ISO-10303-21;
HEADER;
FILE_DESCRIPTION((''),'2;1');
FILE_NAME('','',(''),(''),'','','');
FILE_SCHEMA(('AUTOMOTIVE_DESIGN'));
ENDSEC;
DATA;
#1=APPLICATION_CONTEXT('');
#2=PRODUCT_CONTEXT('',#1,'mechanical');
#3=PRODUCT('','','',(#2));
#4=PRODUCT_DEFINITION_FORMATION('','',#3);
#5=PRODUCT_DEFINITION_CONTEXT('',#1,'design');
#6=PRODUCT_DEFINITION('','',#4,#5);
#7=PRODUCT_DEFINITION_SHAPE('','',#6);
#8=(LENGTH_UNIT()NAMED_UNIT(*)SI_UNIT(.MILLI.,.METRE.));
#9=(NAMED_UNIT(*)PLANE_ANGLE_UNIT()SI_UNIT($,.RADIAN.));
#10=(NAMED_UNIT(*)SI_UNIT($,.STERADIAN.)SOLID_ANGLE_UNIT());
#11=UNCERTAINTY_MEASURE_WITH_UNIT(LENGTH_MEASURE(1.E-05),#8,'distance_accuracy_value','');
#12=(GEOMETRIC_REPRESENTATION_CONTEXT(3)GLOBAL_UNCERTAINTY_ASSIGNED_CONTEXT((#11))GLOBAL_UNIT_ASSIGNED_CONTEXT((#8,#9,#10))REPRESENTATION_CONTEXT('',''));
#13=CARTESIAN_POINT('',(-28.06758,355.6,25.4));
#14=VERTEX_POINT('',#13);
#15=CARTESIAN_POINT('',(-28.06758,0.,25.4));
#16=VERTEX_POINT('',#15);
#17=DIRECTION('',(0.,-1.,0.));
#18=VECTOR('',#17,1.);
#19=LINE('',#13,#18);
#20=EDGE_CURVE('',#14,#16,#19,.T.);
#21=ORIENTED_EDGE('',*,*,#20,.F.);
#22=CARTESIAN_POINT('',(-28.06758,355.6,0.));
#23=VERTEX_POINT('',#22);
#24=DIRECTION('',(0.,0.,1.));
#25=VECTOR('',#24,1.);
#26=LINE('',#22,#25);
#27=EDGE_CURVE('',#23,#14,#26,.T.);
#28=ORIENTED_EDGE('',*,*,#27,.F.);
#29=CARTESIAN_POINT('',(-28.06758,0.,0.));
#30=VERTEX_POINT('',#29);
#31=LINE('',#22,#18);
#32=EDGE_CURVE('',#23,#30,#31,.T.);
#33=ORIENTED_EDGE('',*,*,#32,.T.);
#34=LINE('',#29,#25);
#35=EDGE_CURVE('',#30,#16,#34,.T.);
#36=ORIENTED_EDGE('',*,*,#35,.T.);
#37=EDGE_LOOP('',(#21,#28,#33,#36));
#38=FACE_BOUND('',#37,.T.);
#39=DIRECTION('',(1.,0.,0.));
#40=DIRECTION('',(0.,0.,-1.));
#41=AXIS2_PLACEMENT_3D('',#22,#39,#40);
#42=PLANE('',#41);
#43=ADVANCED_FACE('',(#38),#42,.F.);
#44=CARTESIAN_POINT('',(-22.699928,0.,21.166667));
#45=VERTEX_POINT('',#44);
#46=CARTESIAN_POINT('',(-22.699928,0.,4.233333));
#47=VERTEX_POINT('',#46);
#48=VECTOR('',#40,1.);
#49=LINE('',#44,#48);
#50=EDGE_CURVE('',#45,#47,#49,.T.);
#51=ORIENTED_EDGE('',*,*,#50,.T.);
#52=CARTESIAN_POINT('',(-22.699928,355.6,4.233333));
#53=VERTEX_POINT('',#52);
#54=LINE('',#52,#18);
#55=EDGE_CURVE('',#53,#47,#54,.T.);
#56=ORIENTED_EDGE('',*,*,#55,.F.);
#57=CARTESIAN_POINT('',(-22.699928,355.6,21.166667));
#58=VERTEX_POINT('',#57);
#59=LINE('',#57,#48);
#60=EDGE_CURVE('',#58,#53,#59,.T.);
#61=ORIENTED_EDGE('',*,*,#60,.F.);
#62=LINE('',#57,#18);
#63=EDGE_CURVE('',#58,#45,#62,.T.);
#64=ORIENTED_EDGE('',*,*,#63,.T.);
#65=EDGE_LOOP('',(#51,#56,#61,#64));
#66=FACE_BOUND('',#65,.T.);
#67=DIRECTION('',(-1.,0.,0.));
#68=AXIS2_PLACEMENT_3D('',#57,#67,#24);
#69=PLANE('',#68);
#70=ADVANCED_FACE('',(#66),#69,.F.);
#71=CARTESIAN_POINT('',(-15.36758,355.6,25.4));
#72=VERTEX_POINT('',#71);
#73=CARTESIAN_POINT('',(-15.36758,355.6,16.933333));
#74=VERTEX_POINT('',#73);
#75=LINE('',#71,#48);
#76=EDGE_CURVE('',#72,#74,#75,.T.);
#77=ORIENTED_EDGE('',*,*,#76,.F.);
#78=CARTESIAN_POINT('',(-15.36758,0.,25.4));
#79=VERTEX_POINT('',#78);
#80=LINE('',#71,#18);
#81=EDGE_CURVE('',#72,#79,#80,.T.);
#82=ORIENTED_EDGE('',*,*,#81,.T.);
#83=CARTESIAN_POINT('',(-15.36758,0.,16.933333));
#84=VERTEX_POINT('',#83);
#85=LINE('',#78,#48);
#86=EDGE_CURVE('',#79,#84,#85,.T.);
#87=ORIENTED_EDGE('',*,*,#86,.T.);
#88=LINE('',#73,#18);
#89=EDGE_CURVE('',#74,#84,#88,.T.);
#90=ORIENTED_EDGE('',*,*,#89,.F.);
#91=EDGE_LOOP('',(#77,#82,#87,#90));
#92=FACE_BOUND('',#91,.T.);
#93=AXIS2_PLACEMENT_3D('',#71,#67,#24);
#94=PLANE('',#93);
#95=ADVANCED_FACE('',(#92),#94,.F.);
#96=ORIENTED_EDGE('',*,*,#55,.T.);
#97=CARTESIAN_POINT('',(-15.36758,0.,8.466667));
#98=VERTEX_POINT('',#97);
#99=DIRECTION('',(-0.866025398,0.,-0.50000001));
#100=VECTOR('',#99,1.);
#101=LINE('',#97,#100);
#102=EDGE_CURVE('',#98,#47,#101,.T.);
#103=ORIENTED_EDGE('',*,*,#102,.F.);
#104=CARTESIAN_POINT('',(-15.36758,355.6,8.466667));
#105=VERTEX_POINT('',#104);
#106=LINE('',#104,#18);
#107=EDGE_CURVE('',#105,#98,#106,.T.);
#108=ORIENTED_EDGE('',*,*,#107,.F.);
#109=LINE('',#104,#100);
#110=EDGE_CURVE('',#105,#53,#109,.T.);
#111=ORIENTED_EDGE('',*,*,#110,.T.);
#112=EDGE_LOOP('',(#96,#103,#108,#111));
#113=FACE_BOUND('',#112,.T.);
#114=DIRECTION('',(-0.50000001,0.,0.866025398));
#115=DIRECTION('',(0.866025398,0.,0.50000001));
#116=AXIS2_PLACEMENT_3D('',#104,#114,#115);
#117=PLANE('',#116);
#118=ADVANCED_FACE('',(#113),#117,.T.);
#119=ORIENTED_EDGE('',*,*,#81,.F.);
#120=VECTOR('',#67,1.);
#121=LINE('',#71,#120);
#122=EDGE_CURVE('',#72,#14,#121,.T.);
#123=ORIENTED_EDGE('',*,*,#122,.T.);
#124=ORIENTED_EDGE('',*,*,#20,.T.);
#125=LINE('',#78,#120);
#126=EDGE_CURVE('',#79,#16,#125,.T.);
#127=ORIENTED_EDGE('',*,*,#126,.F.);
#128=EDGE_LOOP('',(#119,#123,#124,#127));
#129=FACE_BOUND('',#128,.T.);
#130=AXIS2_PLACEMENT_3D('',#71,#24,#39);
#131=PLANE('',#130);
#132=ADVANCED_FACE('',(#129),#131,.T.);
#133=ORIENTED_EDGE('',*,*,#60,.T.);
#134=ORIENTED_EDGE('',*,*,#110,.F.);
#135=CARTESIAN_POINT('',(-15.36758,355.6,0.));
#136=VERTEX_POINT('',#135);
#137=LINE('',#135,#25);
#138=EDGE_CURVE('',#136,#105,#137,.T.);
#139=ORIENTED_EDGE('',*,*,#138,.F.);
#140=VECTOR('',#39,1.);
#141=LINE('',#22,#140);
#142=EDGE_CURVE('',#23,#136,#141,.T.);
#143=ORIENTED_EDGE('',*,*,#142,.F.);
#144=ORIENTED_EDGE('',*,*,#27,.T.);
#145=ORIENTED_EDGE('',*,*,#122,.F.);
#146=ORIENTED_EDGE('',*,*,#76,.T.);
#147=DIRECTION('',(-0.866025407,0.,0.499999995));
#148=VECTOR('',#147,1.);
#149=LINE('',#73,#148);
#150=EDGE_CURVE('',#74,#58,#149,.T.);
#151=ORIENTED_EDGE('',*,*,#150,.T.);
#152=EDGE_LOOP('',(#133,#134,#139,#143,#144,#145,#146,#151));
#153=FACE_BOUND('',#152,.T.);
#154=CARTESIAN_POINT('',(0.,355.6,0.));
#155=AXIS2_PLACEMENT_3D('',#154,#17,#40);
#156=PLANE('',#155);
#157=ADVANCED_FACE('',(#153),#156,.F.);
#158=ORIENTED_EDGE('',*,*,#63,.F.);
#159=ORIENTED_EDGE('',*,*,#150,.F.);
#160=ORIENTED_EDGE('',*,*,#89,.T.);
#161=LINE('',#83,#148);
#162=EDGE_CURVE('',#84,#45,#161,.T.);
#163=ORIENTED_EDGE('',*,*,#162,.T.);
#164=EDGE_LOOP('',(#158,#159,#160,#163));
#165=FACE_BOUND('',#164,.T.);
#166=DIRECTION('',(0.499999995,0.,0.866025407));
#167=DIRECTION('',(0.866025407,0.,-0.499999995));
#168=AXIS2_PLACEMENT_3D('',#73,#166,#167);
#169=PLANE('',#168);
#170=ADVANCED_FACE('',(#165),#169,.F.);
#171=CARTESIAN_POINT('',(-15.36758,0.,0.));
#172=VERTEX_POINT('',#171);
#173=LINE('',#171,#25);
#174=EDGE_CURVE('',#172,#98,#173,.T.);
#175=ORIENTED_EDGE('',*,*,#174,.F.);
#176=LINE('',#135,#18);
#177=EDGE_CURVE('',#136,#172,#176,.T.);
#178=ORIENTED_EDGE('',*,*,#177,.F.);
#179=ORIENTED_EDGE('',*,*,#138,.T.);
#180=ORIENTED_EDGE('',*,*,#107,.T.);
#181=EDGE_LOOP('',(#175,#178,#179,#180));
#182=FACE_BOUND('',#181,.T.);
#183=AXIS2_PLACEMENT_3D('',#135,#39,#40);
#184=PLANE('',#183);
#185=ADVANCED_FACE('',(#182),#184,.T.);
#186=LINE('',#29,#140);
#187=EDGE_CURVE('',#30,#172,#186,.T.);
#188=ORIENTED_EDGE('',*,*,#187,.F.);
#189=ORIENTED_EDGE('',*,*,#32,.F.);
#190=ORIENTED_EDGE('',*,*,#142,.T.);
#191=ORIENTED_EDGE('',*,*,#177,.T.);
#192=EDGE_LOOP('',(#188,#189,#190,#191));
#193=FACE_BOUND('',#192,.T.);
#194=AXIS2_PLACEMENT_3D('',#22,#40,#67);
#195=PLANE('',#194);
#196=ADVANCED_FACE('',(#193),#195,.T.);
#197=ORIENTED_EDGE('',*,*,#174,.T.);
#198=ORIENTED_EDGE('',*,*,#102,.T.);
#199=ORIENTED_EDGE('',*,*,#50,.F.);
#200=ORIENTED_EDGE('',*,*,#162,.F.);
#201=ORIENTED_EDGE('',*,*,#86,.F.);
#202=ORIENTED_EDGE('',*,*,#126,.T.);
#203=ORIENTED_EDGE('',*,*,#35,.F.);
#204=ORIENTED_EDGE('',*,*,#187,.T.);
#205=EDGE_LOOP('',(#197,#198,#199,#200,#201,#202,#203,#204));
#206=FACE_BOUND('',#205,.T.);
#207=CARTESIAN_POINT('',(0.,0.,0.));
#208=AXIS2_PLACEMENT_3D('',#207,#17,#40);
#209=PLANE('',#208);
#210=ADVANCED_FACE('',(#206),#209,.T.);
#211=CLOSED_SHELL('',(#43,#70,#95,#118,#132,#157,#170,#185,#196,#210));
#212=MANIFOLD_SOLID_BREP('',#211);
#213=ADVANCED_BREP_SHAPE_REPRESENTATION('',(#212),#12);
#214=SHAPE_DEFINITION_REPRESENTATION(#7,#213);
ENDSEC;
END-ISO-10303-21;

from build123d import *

# Parameters (mm, degrees)
BOSS_EXTRUDE2_DEPTH = 355.6


with BuildPart() as part:
    # Sketch1 → Boss-Extrude2 (new body)
    with BuildSketch(Plane(origin=(0, 0, 0), x_dir=(1, 0, 0), z_dir=(0, 1, 0))):
        Polygon((-28.067579909, 0), (-28.067579909, -25.4), (-15.367579909, -25.4), (-15.367579909, -16.933333333), (-22.699928279, -21.166666582), (-22.699928279, -4.233333249), (-15.367579909, -8.466666667), (-15.367579909, 0), align=None)
    extrude(amount=BOSS_EXTRUDE2_DEPTH)


solid = part.part
